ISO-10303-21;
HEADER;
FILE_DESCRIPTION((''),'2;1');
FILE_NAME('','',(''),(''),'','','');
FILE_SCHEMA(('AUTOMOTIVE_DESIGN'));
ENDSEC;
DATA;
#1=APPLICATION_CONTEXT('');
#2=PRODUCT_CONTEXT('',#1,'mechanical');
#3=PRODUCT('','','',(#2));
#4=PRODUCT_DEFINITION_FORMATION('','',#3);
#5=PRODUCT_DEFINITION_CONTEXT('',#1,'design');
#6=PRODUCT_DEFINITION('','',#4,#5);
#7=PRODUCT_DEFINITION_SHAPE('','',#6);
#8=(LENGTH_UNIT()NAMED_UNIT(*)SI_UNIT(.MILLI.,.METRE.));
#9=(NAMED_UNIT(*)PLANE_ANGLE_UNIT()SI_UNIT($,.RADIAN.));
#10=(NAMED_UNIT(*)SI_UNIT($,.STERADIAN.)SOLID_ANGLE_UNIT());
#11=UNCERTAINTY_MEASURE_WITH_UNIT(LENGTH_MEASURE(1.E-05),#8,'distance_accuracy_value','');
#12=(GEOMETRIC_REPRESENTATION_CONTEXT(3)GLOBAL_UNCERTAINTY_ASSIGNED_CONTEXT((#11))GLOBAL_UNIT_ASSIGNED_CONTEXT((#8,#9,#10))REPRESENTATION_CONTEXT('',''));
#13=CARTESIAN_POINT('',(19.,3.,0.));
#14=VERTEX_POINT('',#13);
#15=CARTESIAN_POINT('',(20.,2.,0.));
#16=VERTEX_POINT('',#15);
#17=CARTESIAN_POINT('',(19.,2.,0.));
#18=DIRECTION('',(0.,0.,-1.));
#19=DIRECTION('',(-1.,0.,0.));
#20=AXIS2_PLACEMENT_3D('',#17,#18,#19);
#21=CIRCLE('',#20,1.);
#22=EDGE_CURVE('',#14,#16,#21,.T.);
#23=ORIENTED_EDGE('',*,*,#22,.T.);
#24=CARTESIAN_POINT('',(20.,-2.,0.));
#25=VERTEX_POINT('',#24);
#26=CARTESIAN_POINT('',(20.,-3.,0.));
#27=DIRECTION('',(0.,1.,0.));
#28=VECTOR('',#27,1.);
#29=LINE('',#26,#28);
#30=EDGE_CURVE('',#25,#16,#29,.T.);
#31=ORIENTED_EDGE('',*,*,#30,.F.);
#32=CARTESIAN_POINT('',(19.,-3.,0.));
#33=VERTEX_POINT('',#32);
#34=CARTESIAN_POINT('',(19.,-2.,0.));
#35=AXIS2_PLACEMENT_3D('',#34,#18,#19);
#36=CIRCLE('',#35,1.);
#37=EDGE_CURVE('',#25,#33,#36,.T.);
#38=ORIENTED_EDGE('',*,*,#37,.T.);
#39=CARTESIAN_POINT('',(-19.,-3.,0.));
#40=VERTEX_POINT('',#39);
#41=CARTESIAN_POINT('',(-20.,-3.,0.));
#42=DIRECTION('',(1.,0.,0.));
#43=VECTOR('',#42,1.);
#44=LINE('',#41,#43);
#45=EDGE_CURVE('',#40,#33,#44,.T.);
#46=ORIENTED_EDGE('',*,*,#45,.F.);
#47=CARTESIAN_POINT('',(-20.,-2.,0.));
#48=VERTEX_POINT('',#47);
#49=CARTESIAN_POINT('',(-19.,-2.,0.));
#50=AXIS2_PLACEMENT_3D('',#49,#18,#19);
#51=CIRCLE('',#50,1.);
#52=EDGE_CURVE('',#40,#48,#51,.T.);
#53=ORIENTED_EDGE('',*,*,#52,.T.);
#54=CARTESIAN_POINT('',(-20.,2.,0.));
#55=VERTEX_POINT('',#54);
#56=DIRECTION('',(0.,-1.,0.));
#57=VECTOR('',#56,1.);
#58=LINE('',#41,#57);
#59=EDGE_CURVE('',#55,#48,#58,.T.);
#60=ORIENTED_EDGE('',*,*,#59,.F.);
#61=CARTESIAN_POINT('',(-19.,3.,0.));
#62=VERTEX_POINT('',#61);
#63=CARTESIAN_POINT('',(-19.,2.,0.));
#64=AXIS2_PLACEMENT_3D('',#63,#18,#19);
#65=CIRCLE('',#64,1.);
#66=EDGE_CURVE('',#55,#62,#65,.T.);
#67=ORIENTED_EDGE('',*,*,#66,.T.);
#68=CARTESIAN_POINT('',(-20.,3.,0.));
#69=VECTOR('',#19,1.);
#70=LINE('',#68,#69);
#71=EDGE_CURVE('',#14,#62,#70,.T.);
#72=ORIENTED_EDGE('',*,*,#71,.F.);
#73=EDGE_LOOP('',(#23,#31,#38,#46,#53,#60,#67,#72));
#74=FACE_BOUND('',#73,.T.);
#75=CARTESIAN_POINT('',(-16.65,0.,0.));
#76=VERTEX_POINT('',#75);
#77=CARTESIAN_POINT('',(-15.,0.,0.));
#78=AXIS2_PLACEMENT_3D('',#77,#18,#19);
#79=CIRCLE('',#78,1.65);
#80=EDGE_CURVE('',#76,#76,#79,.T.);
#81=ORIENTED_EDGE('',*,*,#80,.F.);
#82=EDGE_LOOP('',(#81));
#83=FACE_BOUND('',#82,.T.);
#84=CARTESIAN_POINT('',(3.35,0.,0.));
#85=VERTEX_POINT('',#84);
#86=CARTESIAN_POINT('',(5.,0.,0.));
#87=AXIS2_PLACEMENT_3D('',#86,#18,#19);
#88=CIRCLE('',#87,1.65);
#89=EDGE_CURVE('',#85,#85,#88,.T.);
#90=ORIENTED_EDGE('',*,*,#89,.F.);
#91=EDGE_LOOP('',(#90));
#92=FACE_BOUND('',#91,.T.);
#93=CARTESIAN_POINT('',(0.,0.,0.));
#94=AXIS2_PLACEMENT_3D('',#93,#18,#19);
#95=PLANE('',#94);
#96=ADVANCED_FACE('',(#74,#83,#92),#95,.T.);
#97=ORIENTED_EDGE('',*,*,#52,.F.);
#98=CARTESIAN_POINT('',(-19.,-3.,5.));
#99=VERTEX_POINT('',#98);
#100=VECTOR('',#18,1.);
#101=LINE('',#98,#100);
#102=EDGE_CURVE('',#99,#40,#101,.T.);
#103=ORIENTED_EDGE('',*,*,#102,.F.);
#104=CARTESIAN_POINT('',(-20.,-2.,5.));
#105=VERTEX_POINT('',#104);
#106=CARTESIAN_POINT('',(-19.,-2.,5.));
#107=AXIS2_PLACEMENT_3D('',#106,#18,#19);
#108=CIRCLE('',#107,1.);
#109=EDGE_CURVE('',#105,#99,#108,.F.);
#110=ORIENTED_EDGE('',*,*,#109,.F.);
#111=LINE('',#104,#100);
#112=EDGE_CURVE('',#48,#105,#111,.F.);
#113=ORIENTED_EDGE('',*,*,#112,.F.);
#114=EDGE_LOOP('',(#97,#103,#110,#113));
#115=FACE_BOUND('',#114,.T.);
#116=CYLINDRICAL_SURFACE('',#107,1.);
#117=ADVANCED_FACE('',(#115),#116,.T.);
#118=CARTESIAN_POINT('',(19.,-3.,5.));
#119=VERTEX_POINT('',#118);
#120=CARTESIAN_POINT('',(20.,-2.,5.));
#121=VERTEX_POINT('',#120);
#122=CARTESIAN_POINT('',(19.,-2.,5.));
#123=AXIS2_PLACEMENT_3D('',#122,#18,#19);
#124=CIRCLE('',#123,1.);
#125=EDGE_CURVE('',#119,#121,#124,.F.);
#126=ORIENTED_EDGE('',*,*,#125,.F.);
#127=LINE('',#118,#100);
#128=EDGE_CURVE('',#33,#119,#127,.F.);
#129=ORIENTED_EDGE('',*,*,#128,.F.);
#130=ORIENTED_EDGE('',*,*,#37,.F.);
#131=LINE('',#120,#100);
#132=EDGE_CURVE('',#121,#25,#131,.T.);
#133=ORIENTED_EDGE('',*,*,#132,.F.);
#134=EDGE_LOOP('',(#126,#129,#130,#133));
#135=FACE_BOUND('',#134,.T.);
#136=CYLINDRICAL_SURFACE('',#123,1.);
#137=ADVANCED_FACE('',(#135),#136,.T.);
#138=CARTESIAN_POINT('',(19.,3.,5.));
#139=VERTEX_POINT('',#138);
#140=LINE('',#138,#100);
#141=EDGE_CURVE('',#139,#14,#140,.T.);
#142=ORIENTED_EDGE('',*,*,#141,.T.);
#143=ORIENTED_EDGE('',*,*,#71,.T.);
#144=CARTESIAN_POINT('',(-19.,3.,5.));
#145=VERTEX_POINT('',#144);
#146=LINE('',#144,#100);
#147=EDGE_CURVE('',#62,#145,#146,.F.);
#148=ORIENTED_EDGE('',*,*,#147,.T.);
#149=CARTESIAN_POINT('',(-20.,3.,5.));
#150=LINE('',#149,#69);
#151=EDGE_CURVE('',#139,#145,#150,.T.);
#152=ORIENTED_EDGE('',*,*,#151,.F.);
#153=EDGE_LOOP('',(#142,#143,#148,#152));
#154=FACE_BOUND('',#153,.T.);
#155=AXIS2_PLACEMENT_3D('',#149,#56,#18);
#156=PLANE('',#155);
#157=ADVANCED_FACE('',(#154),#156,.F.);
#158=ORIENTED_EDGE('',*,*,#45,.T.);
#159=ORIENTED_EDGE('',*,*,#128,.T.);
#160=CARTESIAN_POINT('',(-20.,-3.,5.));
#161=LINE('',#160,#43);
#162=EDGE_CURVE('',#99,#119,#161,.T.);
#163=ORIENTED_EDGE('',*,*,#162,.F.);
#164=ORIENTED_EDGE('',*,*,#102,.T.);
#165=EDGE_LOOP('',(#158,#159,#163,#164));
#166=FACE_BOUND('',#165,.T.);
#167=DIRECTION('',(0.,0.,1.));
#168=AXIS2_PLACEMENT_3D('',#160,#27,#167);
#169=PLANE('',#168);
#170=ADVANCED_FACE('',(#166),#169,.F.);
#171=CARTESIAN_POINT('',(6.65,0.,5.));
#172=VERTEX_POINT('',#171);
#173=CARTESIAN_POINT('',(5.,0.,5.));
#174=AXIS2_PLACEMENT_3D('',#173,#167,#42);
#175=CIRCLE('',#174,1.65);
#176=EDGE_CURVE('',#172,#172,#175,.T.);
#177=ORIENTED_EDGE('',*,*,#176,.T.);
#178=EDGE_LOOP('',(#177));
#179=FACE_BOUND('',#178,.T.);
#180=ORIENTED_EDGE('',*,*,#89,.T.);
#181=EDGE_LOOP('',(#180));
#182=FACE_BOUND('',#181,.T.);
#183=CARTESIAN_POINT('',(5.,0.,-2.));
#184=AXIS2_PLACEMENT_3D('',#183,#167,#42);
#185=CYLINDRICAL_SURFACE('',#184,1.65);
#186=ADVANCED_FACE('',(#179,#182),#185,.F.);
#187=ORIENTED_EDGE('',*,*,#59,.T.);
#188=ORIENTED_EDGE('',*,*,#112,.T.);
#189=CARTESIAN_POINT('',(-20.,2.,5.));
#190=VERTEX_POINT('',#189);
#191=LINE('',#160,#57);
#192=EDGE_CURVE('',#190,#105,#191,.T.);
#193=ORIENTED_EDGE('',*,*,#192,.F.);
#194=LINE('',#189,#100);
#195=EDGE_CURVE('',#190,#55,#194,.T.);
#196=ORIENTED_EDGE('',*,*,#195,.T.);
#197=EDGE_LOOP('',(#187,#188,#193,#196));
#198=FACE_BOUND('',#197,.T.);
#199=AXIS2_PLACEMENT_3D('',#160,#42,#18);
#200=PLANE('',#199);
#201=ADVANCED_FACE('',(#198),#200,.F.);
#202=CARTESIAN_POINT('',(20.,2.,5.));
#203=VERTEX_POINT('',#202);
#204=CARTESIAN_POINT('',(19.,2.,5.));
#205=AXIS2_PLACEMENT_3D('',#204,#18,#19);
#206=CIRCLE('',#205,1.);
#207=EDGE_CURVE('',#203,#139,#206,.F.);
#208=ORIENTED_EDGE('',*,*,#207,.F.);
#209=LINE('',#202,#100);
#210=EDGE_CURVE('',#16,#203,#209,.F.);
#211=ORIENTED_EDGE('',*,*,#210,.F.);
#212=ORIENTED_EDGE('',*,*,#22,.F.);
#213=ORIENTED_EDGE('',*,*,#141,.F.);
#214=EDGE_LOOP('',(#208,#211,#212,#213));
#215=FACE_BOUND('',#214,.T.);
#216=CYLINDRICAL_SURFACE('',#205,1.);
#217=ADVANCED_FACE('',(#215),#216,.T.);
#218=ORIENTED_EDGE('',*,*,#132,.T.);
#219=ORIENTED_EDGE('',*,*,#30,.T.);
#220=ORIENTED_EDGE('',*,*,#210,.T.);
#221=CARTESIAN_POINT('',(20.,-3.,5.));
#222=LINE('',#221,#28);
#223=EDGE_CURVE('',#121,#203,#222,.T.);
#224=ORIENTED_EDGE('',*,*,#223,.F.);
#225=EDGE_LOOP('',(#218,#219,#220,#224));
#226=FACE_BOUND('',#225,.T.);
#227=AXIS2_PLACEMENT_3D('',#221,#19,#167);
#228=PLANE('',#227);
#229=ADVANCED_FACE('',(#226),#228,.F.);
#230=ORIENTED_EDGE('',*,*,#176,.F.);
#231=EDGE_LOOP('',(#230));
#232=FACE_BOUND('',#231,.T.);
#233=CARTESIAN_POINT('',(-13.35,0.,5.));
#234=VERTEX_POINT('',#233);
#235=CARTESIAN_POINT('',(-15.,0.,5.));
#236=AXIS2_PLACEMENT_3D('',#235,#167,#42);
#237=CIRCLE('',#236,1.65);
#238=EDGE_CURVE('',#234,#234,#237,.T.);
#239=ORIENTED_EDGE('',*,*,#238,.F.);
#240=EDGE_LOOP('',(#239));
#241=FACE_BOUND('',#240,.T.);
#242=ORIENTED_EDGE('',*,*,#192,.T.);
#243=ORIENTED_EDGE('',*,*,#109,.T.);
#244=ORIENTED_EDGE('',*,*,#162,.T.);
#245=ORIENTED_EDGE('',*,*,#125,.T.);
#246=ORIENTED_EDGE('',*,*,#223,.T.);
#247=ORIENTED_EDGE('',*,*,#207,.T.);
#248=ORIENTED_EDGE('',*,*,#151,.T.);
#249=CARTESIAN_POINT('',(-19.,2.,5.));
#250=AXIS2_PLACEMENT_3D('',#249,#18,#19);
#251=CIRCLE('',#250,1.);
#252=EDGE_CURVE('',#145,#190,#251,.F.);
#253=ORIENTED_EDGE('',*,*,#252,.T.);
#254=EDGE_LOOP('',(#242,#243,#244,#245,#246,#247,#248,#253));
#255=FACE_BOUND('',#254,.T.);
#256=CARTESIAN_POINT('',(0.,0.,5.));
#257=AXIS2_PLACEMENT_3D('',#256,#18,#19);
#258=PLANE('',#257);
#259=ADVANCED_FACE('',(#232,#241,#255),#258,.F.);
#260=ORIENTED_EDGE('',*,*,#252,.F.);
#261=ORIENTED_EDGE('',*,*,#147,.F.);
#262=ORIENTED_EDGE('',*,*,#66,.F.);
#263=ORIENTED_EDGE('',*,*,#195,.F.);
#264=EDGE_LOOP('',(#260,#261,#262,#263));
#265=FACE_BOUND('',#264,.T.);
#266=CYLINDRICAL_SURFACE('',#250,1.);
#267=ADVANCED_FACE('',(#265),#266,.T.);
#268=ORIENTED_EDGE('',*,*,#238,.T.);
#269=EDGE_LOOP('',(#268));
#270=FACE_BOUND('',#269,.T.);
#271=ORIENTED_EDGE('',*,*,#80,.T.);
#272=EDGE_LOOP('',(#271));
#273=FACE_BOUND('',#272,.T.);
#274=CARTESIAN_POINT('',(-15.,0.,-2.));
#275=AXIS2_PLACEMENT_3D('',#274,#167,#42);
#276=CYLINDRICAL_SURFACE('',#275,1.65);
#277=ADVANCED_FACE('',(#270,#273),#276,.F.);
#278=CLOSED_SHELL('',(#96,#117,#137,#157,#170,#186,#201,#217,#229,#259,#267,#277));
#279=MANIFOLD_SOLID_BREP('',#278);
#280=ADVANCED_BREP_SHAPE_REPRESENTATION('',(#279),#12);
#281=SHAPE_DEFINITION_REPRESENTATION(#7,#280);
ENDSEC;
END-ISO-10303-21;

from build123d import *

# Parameters (mm, degrees)
SKETCH_1_W          = 40
SKETCH_1_H          = 6
EXTRUDE_1_DEPTH     = 5
SKETCH_2_R          = 1.65
CUT_EXTRUDE_1_DEPTH = 7
FILLET_1_R          = 1


with BuildPart() as part:
    # 草图1 → 凸台-拉伸1 (new body)
    with BuildSketch(Plane.XY):
        Rectangle(SKETCH_1_W, SKETCH_1_H)
    extrude(amount=EXTRUDE_1_DEPTH)

    # 草图2 → 切除-拉伸1 (cut)
    with BuildSketch(Plane.XY.offset(5)):
        with Locations((5, 0)):
            Circle(SKETCH_2_R)
        with Locations((-15, 0)):
            Circle(SKETCH_2_R)
    extrude(amount=-CUT_EXTRUDE_1_DEPTH, mode=Mode.SUBTRACT)

    # 圆角1
    fillet_1_edges = [part.edges().sort_by_distance(p)[0] for p in [
        (20, -3, 2.5),
        (-20, -3, 2.5),
        (-20, 3, 2.5),
        (20, 3, 2.5),
    ]]
    fillet(fillet_1_edges, radius=FILLET_1_R)


solid = part.part
